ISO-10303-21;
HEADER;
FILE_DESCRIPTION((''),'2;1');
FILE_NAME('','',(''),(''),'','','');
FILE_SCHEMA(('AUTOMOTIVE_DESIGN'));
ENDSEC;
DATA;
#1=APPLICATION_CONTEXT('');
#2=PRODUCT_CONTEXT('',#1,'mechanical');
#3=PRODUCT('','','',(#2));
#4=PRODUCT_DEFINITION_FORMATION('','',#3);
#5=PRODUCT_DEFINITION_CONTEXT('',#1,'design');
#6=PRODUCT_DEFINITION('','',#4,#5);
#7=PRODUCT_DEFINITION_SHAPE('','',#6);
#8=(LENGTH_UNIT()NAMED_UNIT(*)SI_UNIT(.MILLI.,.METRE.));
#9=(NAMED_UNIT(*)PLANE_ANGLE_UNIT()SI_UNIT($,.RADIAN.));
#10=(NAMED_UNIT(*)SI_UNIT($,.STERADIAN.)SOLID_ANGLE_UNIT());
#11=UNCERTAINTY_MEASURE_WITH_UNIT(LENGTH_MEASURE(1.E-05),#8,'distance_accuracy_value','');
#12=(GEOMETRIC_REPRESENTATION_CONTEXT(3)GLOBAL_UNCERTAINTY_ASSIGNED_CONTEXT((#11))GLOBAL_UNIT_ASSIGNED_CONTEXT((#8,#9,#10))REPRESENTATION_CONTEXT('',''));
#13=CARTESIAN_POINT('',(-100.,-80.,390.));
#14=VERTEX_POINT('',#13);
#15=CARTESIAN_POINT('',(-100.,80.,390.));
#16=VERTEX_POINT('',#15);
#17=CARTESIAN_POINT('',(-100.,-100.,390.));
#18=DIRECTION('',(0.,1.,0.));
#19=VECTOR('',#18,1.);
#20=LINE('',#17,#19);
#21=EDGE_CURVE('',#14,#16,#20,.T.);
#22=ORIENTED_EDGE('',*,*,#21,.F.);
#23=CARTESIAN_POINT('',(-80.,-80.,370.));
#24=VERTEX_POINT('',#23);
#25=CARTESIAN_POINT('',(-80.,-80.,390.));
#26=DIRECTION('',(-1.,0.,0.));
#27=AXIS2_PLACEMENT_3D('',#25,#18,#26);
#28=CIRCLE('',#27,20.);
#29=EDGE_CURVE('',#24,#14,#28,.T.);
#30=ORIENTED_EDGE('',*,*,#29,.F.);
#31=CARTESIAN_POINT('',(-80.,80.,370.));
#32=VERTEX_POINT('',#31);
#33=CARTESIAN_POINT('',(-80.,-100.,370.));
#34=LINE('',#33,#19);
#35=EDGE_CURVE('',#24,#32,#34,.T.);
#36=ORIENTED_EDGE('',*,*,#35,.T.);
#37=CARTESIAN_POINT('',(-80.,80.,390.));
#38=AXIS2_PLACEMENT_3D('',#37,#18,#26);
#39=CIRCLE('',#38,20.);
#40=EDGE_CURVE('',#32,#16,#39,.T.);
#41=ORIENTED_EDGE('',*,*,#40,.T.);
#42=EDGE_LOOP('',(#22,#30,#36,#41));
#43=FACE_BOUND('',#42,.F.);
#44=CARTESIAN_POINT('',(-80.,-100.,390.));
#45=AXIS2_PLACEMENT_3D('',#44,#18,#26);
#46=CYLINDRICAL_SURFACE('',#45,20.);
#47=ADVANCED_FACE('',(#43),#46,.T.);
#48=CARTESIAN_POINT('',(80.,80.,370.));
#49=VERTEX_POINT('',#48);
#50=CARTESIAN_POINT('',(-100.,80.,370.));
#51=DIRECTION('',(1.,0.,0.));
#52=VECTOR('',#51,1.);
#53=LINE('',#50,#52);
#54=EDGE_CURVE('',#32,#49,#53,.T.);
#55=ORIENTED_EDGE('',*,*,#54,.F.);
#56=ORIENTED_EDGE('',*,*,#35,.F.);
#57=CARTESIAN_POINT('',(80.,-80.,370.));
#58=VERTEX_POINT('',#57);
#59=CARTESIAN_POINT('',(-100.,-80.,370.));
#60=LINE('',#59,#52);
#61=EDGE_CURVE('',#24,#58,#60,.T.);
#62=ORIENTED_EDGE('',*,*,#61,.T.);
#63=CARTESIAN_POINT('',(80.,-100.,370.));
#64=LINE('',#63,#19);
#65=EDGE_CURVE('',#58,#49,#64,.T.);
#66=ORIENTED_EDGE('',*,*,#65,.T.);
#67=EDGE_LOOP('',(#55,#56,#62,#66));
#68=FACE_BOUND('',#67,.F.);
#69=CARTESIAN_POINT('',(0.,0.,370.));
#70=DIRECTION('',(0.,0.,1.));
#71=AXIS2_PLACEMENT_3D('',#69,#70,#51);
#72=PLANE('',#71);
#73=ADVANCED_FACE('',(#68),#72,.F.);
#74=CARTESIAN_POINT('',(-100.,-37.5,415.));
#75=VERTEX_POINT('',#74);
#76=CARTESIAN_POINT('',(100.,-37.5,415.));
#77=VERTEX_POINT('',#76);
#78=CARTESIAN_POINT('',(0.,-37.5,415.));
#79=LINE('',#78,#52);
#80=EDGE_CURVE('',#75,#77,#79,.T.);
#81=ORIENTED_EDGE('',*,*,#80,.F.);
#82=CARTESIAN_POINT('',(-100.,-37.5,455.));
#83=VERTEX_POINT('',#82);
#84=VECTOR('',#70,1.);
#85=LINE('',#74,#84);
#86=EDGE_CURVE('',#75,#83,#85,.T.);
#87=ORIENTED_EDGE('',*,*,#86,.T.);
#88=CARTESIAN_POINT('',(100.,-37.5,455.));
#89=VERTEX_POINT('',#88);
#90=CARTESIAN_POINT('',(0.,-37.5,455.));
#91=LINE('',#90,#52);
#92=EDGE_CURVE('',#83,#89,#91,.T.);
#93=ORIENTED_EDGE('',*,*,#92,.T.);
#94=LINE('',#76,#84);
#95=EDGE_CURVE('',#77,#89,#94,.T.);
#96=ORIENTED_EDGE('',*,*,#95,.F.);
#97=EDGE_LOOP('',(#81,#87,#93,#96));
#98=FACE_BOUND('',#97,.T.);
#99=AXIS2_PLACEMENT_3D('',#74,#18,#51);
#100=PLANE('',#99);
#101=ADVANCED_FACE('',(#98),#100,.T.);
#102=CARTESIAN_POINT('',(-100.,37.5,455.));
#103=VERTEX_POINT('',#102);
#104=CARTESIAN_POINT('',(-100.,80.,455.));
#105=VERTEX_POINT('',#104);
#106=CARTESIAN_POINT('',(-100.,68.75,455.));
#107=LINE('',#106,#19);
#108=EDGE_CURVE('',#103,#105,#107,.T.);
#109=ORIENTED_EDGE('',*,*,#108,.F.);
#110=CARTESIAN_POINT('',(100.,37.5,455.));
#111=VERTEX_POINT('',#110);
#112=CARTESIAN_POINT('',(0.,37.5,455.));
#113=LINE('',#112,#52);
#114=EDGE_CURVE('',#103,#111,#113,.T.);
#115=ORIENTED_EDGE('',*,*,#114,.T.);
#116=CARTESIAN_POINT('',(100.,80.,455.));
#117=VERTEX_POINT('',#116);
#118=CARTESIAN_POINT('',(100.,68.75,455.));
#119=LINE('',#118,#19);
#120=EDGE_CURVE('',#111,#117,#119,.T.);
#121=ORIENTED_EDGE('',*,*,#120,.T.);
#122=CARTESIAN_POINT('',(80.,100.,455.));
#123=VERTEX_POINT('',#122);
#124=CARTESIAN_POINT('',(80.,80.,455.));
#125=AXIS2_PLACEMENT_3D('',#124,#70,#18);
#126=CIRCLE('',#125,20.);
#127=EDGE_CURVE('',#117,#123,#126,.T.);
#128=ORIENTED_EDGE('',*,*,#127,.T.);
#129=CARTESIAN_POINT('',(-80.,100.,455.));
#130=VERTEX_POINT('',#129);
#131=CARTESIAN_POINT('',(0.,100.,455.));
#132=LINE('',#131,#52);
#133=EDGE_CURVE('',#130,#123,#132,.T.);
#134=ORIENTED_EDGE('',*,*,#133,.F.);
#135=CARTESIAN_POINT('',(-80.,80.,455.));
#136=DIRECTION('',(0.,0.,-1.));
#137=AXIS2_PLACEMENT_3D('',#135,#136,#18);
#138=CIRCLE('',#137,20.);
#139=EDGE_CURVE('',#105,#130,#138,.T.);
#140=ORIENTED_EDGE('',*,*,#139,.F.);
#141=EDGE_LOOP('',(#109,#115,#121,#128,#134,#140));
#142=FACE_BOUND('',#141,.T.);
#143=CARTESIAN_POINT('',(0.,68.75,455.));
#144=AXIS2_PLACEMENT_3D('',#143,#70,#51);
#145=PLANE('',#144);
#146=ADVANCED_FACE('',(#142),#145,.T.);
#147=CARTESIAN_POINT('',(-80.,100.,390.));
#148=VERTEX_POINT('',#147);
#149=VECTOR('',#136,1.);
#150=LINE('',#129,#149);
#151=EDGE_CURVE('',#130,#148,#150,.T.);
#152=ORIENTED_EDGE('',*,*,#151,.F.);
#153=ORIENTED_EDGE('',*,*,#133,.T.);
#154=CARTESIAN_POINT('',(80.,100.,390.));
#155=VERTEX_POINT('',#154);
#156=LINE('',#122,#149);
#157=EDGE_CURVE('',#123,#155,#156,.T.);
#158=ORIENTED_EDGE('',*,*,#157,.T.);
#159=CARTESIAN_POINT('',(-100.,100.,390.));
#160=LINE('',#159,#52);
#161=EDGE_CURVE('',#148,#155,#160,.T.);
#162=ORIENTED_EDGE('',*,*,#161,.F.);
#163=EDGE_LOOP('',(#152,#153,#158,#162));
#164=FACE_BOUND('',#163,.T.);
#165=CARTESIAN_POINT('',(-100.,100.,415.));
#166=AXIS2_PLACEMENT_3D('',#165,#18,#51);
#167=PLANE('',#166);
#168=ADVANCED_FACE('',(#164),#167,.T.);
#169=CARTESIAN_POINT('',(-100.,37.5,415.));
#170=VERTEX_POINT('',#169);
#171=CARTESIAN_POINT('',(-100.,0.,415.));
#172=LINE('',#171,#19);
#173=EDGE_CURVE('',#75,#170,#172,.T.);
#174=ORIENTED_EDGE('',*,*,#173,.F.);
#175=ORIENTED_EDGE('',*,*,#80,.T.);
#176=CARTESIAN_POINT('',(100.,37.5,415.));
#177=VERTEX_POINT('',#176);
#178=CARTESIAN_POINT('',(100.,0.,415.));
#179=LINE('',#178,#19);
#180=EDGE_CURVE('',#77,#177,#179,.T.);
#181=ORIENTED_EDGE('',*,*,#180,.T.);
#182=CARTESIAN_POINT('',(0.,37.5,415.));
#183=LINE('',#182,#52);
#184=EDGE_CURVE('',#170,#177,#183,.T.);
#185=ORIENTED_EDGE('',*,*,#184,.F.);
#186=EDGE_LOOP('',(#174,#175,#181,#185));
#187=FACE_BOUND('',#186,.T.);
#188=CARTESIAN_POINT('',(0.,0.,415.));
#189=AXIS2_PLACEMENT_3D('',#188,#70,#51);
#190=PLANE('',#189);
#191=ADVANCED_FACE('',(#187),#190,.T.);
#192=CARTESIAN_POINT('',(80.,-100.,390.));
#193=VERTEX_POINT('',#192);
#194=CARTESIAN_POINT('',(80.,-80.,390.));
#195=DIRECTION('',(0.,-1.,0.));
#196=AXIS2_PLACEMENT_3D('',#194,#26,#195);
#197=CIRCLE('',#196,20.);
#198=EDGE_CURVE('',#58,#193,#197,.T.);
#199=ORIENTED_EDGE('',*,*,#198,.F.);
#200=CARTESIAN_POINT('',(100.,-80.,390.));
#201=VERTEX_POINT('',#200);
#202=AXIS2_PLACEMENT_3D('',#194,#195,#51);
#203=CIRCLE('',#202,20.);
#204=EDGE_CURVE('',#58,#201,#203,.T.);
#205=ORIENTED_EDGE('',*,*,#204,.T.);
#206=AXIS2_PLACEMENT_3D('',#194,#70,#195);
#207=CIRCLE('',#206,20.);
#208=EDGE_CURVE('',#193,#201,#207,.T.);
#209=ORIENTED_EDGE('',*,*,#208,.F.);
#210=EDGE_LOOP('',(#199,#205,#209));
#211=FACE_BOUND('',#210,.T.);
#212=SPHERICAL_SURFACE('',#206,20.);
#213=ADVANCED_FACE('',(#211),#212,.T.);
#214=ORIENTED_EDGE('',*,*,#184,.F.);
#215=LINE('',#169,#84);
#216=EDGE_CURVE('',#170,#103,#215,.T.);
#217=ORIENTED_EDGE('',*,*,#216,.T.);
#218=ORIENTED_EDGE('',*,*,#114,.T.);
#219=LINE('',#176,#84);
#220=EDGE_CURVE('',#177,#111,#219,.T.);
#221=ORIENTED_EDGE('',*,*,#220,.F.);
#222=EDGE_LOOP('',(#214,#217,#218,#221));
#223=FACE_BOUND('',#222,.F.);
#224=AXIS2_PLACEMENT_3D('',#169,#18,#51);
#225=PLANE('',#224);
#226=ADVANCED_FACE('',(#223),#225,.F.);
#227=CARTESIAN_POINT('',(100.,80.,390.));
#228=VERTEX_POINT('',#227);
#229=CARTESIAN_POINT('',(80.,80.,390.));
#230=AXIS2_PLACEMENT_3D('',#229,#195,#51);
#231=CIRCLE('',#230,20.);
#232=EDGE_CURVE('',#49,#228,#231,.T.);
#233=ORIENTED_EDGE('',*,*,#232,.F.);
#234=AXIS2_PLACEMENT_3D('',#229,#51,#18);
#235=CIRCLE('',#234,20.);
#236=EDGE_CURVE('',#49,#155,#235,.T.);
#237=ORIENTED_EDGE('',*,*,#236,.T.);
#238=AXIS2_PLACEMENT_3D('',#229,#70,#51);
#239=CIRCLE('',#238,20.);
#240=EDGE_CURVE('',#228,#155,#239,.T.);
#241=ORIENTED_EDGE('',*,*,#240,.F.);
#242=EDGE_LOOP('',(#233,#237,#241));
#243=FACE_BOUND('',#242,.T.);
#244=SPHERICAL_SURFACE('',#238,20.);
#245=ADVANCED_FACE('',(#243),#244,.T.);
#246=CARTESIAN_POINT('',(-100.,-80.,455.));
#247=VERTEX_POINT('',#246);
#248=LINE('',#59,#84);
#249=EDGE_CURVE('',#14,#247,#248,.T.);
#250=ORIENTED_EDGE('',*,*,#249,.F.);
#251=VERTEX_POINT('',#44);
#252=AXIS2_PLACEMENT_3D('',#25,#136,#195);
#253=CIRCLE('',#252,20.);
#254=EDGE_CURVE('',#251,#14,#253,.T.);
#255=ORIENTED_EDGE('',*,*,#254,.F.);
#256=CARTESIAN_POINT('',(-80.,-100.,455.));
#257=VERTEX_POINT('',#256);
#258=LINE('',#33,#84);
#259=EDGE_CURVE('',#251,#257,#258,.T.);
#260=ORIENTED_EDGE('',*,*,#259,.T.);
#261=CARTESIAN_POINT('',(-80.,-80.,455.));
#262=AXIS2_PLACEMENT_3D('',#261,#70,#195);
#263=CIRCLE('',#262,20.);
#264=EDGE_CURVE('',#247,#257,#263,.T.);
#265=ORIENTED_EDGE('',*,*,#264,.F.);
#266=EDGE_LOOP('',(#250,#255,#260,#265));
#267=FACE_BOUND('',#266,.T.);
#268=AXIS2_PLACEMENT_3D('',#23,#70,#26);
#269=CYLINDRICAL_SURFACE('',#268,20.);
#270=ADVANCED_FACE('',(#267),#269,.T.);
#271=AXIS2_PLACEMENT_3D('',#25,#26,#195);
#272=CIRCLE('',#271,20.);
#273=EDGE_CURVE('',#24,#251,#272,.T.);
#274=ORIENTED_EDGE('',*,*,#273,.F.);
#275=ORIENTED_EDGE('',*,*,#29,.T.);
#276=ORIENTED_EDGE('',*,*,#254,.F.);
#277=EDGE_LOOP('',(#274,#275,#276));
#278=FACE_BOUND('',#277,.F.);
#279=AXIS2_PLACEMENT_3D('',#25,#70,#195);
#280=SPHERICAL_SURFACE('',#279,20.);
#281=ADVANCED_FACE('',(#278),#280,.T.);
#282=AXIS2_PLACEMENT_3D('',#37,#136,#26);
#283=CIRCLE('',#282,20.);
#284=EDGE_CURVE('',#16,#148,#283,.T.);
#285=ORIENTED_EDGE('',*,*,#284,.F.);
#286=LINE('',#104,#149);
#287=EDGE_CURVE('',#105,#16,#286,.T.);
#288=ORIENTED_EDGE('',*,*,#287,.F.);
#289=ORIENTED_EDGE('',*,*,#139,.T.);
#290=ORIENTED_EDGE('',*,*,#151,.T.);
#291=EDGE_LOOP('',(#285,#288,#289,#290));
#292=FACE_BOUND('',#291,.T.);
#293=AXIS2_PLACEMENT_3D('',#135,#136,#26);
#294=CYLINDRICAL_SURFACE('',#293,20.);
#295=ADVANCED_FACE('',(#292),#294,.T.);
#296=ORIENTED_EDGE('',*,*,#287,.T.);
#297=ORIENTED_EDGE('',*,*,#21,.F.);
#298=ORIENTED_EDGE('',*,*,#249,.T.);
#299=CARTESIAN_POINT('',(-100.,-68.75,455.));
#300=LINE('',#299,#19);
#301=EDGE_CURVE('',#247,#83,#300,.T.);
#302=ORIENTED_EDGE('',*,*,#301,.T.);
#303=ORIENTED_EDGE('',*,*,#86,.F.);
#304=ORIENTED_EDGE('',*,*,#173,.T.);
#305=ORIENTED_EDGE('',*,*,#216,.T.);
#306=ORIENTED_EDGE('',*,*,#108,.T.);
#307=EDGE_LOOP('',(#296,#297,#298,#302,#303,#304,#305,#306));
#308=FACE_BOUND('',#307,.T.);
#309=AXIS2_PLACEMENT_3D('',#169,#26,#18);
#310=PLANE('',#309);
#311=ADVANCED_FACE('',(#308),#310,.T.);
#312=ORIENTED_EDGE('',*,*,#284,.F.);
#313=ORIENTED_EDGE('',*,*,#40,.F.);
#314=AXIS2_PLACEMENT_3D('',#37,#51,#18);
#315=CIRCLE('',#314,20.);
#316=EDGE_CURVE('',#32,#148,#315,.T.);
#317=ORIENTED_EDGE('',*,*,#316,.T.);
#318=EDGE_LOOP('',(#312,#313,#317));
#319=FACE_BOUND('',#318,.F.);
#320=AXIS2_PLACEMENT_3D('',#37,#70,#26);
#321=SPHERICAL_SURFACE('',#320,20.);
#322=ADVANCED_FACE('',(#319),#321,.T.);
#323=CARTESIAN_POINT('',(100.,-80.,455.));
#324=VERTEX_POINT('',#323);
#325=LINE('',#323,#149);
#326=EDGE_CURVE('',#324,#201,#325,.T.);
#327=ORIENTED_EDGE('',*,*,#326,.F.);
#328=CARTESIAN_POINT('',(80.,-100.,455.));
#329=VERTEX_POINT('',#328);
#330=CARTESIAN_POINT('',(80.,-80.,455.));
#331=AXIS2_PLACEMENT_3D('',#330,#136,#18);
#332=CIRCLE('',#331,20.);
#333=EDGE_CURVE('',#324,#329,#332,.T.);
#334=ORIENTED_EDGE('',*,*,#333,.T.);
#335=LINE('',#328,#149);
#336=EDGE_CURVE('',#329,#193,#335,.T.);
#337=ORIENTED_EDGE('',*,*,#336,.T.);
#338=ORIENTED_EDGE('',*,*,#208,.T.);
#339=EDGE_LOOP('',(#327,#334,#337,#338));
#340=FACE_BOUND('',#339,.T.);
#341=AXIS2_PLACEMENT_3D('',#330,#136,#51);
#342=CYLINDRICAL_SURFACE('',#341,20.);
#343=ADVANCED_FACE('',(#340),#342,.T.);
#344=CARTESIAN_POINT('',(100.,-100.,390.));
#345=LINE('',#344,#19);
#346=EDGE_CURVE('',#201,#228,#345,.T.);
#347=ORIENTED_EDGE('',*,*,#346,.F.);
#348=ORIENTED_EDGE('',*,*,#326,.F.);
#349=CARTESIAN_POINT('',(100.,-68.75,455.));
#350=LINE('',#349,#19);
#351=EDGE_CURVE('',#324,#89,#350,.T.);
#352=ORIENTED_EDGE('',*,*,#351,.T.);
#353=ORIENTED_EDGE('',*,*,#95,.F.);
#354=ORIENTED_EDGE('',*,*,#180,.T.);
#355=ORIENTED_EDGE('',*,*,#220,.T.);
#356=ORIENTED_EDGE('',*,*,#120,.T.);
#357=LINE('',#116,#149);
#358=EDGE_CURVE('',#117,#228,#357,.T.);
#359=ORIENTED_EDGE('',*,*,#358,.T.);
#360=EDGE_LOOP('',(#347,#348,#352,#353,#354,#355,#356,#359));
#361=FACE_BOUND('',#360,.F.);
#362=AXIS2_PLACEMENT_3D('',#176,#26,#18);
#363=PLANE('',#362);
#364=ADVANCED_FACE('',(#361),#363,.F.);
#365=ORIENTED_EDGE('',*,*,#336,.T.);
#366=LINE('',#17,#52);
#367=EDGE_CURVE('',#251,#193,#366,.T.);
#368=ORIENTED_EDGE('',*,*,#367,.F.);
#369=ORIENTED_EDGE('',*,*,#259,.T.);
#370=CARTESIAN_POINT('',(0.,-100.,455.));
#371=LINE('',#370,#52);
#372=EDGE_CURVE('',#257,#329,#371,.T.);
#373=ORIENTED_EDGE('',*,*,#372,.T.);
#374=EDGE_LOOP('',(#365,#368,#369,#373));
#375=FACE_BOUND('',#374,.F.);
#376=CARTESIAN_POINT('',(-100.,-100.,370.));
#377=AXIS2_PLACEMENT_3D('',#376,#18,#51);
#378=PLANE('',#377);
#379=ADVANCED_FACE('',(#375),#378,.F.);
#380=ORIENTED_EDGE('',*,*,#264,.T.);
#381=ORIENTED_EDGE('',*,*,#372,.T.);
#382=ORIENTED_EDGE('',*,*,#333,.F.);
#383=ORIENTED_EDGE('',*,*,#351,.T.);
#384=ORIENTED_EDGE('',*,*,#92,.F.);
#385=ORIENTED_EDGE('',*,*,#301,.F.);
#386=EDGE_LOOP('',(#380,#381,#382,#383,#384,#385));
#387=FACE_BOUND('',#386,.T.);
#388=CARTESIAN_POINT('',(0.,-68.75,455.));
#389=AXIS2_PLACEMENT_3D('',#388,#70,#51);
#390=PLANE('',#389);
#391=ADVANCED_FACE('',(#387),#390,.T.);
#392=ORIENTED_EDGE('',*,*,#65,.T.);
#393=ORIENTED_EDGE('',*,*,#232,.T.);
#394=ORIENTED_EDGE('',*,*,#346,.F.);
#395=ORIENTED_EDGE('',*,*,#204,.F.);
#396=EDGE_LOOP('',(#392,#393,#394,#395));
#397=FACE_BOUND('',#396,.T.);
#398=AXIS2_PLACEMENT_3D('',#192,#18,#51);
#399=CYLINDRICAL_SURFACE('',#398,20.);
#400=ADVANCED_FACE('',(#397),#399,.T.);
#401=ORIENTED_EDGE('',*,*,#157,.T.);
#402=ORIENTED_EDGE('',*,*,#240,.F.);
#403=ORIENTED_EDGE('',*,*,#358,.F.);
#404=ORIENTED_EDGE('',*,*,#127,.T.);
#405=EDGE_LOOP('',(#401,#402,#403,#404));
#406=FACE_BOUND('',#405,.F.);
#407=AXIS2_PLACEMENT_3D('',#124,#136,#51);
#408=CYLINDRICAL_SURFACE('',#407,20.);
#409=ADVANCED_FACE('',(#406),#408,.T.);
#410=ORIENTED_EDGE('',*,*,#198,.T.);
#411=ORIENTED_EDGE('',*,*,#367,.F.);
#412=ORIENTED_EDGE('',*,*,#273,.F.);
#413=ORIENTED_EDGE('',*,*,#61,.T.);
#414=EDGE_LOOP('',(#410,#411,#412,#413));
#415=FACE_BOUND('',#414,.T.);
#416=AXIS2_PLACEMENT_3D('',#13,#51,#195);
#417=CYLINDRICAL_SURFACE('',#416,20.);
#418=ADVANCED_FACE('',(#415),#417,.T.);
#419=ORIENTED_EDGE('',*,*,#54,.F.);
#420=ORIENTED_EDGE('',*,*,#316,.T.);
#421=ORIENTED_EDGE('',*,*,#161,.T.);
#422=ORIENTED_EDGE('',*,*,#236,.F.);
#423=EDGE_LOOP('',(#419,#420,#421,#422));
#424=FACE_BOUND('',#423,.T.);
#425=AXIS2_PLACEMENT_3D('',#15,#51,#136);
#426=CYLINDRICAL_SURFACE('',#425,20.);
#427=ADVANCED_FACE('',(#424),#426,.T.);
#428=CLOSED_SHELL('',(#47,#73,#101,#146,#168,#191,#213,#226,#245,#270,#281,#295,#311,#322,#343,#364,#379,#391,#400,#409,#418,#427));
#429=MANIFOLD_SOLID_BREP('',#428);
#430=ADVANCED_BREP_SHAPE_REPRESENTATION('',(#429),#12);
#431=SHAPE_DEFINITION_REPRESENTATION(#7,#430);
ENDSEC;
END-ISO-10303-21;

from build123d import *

# Parameters (mm, degrees)
SKETCH003_W  = 200
SKETCH003_H  = 200
PAD003_DEPTH = 45
SKETCH009_W  = 200
SKETCH009_H  = 62.5
PAD009_DEPTH = 40
FILLET005_R  = 20


with BuildPart() as part:
    # Sketch003 (on Face1 of CopyPad002) → Pad003 (new body)
    with BuildSketch(Plane.XY.offset(370)):
        Rectangle(SKETCH003_W, SKETCH003_H)
    extrude(amount=PAD003_DEPTH)

    # Sketch009 (on Face6 of Pad003) → Pad009 (join)
    with BuildSketch(Plane.XY.offset(415)):
        with Locations((0, 68.75)):
            Rectangle(SKETCH009_W, SKETCH009_H)
        with Locations((0, -68.75)):
            Rectangle(SKETCH009_W, SKETCH009_H)
    extrude(amount=PAD009_DEPTH)

    # Fillet005
    fillet005_edges = [part.edges().sort_by_distance(p)[0] for p in [
        (-100, -100, 412.5),
        (100, -100, 412.5),
        (100, 100, 412.5),
        (-100, 100, 412.5),
        (0, -100, 370),
        (100, 0, 370),
        (-100, 0, 370),
        (0, 100, 370),
    ]]
    fillet(fillet005_edges, radius=FILLET005_R)


solid = part.part
